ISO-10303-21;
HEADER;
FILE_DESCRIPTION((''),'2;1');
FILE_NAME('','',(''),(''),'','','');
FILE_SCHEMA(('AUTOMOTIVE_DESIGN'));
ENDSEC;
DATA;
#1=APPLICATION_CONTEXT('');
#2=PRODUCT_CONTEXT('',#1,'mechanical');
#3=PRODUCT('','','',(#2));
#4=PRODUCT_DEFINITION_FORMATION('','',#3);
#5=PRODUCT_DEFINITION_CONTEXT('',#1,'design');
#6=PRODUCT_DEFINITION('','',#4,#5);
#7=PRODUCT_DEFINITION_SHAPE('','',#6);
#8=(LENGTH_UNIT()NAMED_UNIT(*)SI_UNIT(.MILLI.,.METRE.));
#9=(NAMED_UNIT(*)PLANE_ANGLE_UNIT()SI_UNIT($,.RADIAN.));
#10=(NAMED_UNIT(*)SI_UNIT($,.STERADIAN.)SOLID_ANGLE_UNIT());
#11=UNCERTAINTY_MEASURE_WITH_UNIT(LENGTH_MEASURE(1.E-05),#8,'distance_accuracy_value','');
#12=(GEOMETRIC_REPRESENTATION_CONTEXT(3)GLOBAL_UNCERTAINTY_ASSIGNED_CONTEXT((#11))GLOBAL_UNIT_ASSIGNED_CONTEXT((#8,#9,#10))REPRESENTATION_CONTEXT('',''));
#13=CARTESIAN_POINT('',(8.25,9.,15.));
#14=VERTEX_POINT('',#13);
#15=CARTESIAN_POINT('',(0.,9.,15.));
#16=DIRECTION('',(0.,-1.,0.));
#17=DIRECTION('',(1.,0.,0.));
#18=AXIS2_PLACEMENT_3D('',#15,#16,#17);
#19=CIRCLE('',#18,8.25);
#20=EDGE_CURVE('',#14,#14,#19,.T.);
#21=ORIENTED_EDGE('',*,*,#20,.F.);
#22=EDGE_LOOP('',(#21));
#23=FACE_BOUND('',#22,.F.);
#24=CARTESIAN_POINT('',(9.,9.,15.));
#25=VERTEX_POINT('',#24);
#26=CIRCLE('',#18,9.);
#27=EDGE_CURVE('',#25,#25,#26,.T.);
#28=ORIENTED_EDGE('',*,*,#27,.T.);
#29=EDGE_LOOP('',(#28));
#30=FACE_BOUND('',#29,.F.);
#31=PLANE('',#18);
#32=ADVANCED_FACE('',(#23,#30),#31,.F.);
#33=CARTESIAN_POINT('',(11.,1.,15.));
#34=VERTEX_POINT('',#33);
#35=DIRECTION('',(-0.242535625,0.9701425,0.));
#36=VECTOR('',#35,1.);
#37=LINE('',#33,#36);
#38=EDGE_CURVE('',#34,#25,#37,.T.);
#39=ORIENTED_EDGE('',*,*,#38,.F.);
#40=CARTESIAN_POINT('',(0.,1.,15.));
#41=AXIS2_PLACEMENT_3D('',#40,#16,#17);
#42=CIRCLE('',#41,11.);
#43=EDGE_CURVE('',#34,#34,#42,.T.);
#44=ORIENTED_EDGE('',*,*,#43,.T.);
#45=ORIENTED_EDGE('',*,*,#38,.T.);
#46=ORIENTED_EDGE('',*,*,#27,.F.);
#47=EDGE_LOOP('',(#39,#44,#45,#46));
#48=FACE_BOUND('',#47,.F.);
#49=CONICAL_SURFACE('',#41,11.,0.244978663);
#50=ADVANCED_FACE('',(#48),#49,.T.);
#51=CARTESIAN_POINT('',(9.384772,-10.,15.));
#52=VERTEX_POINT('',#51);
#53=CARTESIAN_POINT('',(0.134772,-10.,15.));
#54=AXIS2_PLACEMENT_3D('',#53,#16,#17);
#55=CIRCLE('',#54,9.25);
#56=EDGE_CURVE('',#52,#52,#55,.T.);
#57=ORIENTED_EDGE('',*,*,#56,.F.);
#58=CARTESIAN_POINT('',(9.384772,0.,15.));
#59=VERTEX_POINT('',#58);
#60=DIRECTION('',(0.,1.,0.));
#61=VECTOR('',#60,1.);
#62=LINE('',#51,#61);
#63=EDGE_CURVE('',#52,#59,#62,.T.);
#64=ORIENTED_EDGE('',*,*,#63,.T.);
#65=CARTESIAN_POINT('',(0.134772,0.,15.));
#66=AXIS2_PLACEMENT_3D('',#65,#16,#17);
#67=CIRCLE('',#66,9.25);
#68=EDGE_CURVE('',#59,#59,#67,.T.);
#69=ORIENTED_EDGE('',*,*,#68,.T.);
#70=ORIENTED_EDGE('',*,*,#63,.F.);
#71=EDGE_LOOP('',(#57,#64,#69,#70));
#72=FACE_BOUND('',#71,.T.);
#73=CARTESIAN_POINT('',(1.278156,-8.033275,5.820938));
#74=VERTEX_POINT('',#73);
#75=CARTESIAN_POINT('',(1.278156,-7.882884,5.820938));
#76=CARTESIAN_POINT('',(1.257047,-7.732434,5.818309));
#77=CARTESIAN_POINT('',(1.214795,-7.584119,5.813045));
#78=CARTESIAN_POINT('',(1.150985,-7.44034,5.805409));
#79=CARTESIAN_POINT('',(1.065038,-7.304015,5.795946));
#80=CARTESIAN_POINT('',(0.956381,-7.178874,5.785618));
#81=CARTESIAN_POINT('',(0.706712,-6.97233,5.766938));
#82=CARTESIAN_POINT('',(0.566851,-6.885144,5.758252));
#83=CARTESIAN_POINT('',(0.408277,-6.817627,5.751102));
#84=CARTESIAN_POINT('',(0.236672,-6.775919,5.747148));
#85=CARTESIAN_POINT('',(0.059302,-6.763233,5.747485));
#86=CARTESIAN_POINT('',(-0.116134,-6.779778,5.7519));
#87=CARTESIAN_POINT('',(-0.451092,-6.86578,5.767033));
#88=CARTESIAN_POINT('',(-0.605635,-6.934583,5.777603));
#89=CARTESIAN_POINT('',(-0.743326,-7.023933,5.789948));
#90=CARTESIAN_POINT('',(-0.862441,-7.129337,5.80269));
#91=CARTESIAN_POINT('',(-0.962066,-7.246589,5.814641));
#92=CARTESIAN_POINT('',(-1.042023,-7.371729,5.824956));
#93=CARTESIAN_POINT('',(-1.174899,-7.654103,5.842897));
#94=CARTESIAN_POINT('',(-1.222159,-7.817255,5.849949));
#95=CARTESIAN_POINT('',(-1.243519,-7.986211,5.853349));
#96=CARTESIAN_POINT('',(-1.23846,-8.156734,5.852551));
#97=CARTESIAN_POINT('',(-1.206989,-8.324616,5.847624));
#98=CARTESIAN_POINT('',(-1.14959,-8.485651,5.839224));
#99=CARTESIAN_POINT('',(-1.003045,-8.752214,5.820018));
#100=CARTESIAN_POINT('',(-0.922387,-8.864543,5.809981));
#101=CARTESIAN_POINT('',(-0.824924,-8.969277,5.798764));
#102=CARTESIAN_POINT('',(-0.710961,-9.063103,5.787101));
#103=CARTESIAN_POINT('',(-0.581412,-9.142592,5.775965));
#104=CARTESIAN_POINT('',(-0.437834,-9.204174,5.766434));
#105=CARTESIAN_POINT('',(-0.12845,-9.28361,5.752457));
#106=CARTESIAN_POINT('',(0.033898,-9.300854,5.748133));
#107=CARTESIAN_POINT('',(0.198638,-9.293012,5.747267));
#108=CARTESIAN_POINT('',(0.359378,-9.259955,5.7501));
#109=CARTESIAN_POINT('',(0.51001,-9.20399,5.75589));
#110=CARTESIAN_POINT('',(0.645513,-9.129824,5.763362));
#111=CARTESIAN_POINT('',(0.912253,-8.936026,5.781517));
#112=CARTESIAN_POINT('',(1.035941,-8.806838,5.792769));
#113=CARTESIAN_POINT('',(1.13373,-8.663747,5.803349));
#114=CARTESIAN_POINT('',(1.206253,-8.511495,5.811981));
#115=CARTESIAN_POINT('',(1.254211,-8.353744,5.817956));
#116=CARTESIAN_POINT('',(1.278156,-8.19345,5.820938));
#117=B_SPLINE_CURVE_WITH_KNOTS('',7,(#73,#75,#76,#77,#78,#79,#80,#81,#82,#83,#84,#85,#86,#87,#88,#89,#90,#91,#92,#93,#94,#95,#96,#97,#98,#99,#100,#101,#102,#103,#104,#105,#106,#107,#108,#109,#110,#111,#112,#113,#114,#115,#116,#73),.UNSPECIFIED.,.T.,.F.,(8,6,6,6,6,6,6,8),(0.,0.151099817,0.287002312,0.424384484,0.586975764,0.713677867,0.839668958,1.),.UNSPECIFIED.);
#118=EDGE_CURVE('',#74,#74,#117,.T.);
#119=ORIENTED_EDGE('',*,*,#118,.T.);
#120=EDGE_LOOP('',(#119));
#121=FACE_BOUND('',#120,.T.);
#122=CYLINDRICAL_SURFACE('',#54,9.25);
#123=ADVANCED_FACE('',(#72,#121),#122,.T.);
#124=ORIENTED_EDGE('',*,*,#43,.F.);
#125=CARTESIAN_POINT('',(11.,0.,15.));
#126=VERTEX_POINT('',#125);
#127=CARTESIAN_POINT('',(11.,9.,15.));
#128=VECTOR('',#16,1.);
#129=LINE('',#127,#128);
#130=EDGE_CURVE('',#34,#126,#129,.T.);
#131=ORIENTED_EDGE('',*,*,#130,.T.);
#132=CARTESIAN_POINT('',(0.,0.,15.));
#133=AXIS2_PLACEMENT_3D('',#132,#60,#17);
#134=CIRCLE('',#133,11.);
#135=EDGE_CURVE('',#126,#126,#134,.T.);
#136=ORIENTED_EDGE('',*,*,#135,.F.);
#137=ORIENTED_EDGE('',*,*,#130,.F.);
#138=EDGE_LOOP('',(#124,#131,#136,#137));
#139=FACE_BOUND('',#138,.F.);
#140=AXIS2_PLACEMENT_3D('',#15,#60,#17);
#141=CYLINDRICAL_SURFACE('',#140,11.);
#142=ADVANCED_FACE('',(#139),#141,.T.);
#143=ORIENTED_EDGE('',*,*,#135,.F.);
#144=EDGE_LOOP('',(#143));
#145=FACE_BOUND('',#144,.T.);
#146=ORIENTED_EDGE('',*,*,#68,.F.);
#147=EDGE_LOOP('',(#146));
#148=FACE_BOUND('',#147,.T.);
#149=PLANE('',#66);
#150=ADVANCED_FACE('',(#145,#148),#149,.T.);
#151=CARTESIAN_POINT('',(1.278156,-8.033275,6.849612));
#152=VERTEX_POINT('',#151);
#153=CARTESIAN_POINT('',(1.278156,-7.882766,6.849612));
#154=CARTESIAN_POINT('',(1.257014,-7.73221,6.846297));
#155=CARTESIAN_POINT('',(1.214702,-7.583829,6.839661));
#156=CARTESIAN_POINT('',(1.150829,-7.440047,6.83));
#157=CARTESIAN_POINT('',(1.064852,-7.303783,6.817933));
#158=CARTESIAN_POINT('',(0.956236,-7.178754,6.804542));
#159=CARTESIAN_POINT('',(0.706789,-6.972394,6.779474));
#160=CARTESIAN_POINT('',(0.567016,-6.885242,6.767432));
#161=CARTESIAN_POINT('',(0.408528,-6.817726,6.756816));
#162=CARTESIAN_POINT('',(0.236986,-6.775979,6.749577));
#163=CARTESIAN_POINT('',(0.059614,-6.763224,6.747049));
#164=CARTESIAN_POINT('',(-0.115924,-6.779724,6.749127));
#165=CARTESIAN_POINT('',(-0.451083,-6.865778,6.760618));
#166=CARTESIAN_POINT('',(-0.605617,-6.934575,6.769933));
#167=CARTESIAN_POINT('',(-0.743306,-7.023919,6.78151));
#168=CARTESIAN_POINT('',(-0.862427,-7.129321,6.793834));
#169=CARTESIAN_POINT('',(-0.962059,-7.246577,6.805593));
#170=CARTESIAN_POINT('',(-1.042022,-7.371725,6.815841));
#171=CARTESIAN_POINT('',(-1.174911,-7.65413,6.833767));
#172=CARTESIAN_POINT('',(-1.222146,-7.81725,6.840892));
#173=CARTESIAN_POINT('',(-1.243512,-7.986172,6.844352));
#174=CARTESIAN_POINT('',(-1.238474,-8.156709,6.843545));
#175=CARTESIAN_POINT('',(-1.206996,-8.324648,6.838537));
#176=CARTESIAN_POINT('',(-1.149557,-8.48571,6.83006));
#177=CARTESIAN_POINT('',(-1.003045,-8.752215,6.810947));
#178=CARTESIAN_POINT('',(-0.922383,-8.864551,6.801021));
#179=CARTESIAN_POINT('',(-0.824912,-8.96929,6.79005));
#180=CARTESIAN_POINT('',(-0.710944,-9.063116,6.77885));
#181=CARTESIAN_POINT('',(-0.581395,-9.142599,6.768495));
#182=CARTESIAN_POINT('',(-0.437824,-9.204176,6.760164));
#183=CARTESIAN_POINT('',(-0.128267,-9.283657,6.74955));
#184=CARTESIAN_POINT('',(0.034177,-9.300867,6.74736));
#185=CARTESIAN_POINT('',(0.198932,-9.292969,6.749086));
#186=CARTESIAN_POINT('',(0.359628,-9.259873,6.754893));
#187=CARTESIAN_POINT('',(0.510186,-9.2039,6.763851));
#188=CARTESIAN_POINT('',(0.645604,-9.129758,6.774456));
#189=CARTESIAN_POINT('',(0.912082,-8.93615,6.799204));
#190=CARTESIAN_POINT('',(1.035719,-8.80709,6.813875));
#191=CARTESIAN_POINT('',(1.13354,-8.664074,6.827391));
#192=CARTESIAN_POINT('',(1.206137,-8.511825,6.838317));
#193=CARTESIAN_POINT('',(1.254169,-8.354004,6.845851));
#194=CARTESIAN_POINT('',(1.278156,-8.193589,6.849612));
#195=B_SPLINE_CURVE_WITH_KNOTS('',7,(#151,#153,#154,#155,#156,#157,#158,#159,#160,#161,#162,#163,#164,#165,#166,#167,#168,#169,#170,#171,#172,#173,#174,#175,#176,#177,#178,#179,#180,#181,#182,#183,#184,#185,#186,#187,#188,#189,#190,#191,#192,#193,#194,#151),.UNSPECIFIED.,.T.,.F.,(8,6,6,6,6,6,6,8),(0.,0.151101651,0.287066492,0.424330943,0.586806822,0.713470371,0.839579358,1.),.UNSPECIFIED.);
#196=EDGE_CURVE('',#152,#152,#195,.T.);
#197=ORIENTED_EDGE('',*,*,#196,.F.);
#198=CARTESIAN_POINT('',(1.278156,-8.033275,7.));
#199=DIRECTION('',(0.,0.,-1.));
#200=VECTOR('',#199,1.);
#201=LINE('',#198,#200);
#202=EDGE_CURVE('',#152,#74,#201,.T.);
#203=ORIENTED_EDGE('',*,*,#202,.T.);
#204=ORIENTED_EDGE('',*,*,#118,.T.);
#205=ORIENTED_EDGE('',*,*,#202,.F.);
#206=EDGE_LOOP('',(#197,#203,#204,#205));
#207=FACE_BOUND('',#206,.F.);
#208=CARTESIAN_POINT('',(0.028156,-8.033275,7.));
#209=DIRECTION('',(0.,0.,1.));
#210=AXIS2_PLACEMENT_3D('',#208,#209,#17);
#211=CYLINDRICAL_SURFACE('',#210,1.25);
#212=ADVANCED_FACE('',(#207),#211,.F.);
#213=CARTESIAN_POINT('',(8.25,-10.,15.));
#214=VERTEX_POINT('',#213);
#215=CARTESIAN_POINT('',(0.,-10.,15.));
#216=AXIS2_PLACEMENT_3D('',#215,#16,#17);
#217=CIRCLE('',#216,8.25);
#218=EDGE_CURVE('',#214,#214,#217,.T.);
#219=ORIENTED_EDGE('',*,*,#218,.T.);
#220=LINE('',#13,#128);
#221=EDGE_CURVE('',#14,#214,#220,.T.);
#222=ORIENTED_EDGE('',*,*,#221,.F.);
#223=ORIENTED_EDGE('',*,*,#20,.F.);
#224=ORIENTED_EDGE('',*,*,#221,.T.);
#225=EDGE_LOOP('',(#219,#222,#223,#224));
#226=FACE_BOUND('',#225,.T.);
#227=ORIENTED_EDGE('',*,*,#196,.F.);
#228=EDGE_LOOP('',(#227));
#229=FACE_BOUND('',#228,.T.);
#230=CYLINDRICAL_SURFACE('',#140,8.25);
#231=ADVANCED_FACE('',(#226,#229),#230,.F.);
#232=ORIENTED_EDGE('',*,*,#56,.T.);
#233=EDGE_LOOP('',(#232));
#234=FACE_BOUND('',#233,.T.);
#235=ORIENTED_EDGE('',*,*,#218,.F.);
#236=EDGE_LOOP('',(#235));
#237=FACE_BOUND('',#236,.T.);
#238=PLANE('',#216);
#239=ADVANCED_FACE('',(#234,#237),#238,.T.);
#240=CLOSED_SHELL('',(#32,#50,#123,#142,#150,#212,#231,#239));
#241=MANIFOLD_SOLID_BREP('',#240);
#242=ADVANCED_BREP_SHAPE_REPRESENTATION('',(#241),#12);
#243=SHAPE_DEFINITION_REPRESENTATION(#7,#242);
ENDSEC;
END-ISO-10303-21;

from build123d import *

# Parameters (mm, degrees)
SKETCH010_R      = 11
SKETCH010_R_2    = 8.25
PAD005_DEPTH     = 19
SKETCH011_R      = 11.25
SKETCH011_R_2    = 9.25
POCKET005_DEPTH  = 10
CHAMFER003_SIZE2 = 2
CHAMFER003_SIZE  = 8
SKETCH012_R      = 1.25
HOLE_DEPTH       = 25


with BuildPart() as part:
    # Sketch010 → Pad005 (new body)
    with BuildSketch(Plane.XZ.offset(-10)):
        with Locations((0, 15)):
            Circle(SKETCH010_R)
        with Locations((0, 15)):
            Circle(SKETCH010_R_2, mode=Mode.SUBTRACT)
    extrude(amount=PAD005_DEPTH)

    # Sketch011 → Pocket005 (cut)
    with BuildSketch(Plane.XZ.offset(9)):
        with Locations((0.134772, 15)):
            Circle(SKETCH011_R)
        with Locations((0.134772, 15)):
            Circle(SKETCH011_R_2, mode=Mode.SUBTRACT)
    extrude(amount=-POCKET005_DEPTH, mode=Mode.SUBTRACT)

    # Chamfer003
    chamfer003_edges = [part.edges().sort_by_distance(p)[0] for p in [
        (-11, 10, 15),
    ]]
    chamfer003_side = part.faces().sort_by_distance((-11, 5.5, 15))[0]
    chamfer(chamfer003_edges, length=CHAMFER003_SIZE, length2=CHAMFER003_SIZE2, reference=chamfer003_side)

    # Sketch012 → Hole (cut)
    with BuildSketch(Plane.XY.offset(7)):
        with Locations((0.028156, -7.033275)):
            Circle(SKETCH012_R)
    extrude(amount=-HOLE_DEPTH, mode=Mode.SUBTRACT)


with BuildPart() as part_1:
    # Body006 placement: moved
    add(part.part.moved(Location((0, -1, 0))))


solid = part_1.part
